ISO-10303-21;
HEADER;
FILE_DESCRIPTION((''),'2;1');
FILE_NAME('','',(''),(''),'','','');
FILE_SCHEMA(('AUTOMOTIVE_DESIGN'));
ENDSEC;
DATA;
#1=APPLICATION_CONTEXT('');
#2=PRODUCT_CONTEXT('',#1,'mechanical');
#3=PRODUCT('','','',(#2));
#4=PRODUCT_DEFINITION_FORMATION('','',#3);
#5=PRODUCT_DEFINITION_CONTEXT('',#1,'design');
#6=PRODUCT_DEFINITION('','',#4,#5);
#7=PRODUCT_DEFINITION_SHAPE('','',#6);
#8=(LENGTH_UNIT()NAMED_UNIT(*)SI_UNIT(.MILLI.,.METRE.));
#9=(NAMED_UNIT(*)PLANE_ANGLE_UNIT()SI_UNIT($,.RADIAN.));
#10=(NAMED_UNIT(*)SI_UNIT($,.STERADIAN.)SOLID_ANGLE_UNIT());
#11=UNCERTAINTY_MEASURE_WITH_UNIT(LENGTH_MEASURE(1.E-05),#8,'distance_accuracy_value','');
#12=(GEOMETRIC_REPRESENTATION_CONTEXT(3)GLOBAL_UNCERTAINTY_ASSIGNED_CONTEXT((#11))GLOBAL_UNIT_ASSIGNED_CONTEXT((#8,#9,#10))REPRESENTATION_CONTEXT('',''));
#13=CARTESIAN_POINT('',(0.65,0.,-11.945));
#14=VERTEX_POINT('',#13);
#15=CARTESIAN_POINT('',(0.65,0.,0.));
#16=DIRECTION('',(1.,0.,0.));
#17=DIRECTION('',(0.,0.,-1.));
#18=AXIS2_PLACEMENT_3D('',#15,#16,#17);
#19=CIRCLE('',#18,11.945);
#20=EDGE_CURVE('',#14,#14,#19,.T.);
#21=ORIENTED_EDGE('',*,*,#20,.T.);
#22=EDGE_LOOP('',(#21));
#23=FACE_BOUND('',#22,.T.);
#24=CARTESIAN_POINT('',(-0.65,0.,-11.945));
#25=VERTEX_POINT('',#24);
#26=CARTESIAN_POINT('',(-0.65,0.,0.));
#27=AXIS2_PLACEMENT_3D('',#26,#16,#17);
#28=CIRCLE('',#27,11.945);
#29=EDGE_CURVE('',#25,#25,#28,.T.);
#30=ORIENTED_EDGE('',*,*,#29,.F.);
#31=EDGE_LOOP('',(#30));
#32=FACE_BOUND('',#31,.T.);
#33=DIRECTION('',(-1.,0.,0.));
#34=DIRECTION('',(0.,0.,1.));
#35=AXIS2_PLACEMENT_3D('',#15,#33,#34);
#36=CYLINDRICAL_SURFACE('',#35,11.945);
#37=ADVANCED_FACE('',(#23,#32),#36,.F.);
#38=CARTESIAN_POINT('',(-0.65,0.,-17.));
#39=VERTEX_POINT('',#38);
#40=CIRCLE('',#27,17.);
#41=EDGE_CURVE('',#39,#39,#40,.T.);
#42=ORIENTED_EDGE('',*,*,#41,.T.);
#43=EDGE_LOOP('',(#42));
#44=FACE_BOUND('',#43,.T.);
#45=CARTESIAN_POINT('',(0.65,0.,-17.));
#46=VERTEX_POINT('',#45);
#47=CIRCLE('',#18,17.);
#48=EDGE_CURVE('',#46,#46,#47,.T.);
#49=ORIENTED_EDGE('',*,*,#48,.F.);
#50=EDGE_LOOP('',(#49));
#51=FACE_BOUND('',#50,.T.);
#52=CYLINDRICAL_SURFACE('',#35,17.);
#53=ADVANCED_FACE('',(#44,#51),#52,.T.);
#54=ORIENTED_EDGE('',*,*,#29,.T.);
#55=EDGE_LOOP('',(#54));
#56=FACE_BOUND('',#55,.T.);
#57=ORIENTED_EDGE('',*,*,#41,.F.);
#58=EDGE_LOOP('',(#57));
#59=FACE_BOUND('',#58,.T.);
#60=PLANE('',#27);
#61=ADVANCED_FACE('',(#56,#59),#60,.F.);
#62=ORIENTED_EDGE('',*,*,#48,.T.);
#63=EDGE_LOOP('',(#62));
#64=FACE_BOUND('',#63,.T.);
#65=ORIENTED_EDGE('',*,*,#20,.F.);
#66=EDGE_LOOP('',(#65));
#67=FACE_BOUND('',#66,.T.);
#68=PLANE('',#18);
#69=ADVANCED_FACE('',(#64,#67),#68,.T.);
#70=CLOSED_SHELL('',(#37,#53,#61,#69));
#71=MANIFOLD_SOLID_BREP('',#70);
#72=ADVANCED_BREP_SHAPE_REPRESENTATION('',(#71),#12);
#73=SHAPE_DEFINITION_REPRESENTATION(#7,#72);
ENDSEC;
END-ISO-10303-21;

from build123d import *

# Parameters (mm, degrees)
SKETCH1_R           = 17
SKETCH1_R_2         = 11.945
BOSS_EXTRUDE1_DEPTH = 0.65


with BuildPart() as part:
    # Sketch1 → Boss-Extrude1 (new, symmetric)
    with BuildSketch(Plane(origin=(0, 0, 0), x_dir=(0, 0, -1), z_dir=(1, 0, 0))):
        Circle(SKETCH1_R)
        Circle(SKETCH1_R_2, mode=Mode.SUBTRACT)
    extrude(amount=BOSS_EXTRUDE1_DEPTH, both=True)


solid = part.part
